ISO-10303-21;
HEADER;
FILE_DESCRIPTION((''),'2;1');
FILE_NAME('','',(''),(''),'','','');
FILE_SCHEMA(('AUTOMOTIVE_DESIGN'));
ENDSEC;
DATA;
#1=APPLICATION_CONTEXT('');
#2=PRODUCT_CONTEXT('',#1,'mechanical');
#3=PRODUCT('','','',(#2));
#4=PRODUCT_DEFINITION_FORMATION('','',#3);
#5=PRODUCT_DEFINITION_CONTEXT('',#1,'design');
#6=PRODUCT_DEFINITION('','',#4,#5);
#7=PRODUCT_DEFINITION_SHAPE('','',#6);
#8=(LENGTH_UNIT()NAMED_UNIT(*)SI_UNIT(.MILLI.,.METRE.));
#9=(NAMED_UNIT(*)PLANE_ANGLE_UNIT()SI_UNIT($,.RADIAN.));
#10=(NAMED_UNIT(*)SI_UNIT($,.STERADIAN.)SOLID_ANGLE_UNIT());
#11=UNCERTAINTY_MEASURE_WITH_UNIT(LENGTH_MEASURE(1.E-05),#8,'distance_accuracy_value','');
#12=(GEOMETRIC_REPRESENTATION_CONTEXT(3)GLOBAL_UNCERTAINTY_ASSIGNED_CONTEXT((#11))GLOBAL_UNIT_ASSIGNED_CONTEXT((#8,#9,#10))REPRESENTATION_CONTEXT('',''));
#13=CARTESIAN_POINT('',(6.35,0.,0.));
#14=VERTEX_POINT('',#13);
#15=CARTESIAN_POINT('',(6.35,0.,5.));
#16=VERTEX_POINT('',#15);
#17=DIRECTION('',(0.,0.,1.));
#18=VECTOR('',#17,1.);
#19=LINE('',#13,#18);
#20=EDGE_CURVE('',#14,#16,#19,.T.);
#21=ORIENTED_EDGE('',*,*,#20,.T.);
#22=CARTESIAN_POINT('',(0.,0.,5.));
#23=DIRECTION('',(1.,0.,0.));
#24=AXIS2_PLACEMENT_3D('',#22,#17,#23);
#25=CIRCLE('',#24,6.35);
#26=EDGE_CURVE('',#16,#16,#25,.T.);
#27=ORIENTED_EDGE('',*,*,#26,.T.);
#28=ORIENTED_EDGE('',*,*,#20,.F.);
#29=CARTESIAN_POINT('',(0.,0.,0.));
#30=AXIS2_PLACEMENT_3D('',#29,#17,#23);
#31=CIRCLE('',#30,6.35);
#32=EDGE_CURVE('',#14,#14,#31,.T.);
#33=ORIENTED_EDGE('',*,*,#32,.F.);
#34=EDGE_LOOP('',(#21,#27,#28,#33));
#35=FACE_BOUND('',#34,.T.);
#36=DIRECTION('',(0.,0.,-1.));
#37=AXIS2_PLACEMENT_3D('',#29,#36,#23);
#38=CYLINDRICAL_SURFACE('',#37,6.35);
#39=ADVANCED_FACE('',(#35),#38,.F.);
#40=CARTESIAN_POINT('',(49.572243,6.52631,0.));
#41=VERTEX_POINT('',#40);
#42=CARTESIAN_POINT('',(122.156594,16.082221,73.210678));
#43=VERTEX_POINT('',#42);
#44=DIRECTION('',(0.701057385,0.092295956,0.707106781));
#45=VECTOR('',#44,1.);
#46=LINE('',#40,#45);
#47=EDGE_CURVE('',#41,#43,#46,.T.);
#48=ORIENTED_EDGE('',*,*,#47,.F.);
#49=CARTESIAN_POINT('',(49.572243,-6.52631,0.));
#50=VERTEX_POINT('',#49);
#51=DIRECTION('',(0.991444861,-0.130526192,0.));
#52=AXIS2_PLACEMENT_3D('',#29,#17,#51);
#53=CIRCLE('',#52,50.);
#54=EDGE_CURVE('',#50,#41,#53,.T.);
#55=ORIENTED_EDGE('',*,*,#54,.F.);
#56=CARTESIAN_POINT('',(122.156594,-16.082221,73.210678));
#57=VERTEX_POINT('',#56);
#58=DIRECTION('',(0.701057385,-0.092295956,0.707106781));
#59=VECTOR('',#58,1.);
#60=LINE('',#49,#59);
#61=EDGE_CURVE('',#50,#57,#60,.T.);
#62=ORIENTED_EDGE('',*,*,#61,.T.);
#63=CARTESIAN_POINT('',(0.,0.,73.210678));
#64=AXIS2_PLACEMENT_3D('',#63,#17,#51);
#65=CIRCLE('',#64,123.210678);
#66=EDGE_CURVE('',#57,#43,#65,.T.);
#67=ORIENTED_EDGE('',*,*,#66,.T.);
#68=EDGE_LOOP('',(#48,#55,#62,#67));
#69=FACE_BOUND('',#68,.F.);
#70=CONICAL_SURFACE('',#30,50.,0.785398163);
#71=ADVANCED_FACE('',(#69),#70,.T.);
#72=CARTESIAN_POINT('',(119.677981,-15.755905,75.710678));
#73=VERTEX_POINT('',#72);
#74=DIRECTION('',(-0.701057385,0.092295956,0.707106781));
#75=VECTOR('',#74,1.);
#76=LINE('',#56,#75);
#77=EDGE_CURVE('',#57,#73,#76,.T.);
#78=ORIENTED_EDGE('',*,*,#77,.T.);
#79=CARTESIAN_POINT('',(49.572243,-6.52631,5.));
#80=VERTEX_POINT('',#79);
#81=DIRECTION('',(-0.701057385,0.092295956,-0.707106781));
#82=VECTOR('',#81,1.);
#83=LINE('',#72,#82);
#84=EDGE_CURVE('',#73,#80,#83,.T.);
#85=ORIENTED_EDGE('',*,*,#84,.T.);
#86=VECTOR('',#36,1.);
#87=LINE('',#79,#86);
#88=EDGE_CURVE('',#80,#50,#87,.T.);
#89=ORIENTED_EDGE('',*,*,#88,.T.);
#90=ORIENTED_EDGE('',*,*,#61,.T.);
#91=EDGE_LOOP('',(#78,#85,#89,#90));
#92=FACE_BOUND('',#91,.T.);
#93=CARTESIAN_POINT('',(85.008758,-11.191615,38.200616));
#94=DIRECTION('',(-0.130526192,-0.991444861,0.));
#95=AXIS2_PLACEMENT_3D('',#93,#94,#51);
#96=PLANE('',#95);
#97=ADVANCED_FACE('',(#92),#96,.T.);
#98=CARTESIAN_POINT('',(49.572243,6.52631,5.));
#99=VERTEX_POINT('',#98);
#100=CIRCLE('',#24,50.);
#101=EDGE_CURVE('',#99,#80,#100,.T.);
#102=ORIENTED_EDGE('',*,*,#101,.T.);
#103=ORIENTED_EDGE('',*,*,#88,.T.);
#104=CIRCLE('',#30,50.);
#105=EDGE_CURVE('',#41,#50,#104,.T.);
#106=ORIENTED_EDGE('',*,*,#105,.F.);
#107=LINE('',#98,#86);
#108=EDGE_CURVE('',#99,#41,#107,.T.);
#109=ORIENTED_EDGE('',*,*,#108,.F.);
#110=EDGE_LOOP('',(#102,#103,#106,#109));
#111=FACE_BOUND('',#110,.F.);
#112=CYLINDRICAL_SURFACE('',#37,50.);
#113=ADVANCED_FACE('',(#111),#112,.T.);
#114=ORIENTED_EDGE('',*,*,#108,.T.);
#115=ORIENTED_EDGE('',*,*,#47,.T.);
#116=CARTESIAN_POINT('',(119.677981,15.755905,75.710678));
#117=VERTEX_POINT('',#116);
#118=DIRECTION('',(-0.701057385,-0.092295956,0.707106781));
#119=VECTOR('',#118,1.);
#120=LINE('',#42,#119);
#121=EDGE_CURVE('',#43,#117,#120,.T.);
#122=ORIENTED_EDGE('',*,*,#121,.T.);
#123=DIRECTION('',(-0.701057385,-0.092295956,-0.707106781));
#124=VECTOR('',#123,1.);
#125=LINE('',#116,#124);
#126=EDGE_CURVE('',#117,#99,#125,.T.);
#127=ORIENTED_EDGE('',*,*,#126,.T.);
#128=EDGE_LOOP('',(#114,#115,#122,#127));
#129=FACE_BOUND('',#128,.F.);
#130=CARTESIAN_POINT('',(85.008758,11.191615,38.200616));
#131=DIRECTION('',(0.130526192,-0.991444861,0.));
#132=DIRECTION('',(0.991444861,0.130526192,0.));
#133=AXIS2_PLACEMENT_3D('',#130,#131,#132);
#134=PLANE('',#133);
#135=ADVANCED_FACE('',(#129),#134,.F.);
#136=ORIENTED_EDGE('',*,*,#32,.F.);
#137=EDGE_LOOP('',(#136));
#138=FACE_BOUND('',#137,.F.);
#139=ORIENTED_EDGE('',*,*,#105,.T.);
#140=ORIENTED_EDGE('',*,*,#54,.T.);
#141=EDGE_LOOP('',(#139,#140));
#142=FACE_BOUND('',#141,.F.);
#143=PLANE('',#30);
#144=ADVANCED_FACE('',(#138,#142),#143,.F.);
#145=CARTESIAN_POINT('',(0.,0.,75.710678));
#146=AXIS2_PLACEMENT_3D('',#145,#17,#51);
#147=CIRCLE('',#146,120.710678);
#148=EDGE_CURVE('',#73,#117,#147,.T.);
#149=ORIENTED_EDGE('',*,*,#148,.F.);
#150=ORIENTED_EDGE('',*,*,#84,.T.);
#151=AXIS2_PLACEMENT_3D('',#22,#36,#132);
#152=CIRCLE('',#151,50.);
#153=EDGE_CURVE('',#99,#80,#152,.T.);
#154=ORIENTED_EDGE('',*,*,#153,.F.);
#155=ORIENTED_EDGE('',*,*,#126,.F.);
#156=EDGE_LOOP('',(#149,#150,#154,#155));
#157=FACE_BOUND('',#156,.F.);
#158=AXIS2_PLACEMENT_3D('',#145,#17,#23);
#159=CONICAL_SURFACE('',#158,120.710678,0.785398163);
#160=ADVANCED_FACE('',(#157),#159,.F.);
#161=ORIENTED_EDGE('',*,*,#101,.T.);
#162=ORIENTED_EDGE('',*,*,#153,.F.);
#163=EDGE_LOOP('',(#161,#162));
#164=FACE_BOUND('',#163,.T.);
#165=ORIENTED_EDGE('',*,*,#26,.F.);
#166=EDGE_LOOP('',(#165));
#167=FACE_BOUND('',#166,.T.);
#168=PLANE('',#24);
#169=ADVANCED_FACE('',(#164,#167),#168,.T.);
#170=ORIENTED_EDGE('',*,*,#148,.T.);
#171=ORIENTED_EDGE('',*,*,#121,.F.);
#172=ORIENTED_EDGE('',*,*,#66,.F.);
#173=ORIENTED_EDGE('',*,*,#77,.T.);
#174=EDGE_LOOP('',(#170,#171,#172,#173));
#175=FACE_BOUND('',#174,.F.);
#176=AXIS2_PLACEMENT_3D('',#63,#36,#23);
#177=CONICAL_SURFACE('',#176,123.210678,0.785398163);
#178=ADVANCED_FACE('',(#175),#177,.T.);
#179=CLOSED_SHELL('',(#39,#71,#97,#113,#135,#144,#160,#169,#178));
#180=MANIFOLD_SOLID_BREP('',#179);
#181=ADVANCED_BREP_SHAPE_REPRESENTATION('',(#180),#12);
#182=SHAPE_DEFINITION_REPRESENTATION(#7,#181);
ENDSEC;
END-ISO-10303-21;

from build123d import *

# Parameters (mm, degrees)
F0_R     = 50
F0_R_2   = 6.35
F1_DEPTH = 5
F3_ANGLE = 15


with BuildPart() as f1:
    # F0 (on Top) → F1 (new body)
    with BuildSketch(Plane.XY):
        Circle(F0_R)
        Circle(F0_R_2, mode=Mode.SUBTRACT)
    extrude(amount=F1_DEPTH)

    # F2 (on Front) → F3 (revolve, symmetric)
    with BuildSketch(Plane.XZ) as f3_sk:
        Polygon((120.710678, 75.710678), (50, 5), (50, 0), (123.210678, 73.210678), align=None)
    revolve(axis=Axis((0, 0, 11.425557), (0, 0, 1)), revolution_arc=F3_ANGLE / 2)
    revolve(f3_sk.sketch, axis=Axis((0, 0, 11.425557), (0, 0, -1)), revolution_arc=F3_ANGLE / 2)


solid = f1.part
